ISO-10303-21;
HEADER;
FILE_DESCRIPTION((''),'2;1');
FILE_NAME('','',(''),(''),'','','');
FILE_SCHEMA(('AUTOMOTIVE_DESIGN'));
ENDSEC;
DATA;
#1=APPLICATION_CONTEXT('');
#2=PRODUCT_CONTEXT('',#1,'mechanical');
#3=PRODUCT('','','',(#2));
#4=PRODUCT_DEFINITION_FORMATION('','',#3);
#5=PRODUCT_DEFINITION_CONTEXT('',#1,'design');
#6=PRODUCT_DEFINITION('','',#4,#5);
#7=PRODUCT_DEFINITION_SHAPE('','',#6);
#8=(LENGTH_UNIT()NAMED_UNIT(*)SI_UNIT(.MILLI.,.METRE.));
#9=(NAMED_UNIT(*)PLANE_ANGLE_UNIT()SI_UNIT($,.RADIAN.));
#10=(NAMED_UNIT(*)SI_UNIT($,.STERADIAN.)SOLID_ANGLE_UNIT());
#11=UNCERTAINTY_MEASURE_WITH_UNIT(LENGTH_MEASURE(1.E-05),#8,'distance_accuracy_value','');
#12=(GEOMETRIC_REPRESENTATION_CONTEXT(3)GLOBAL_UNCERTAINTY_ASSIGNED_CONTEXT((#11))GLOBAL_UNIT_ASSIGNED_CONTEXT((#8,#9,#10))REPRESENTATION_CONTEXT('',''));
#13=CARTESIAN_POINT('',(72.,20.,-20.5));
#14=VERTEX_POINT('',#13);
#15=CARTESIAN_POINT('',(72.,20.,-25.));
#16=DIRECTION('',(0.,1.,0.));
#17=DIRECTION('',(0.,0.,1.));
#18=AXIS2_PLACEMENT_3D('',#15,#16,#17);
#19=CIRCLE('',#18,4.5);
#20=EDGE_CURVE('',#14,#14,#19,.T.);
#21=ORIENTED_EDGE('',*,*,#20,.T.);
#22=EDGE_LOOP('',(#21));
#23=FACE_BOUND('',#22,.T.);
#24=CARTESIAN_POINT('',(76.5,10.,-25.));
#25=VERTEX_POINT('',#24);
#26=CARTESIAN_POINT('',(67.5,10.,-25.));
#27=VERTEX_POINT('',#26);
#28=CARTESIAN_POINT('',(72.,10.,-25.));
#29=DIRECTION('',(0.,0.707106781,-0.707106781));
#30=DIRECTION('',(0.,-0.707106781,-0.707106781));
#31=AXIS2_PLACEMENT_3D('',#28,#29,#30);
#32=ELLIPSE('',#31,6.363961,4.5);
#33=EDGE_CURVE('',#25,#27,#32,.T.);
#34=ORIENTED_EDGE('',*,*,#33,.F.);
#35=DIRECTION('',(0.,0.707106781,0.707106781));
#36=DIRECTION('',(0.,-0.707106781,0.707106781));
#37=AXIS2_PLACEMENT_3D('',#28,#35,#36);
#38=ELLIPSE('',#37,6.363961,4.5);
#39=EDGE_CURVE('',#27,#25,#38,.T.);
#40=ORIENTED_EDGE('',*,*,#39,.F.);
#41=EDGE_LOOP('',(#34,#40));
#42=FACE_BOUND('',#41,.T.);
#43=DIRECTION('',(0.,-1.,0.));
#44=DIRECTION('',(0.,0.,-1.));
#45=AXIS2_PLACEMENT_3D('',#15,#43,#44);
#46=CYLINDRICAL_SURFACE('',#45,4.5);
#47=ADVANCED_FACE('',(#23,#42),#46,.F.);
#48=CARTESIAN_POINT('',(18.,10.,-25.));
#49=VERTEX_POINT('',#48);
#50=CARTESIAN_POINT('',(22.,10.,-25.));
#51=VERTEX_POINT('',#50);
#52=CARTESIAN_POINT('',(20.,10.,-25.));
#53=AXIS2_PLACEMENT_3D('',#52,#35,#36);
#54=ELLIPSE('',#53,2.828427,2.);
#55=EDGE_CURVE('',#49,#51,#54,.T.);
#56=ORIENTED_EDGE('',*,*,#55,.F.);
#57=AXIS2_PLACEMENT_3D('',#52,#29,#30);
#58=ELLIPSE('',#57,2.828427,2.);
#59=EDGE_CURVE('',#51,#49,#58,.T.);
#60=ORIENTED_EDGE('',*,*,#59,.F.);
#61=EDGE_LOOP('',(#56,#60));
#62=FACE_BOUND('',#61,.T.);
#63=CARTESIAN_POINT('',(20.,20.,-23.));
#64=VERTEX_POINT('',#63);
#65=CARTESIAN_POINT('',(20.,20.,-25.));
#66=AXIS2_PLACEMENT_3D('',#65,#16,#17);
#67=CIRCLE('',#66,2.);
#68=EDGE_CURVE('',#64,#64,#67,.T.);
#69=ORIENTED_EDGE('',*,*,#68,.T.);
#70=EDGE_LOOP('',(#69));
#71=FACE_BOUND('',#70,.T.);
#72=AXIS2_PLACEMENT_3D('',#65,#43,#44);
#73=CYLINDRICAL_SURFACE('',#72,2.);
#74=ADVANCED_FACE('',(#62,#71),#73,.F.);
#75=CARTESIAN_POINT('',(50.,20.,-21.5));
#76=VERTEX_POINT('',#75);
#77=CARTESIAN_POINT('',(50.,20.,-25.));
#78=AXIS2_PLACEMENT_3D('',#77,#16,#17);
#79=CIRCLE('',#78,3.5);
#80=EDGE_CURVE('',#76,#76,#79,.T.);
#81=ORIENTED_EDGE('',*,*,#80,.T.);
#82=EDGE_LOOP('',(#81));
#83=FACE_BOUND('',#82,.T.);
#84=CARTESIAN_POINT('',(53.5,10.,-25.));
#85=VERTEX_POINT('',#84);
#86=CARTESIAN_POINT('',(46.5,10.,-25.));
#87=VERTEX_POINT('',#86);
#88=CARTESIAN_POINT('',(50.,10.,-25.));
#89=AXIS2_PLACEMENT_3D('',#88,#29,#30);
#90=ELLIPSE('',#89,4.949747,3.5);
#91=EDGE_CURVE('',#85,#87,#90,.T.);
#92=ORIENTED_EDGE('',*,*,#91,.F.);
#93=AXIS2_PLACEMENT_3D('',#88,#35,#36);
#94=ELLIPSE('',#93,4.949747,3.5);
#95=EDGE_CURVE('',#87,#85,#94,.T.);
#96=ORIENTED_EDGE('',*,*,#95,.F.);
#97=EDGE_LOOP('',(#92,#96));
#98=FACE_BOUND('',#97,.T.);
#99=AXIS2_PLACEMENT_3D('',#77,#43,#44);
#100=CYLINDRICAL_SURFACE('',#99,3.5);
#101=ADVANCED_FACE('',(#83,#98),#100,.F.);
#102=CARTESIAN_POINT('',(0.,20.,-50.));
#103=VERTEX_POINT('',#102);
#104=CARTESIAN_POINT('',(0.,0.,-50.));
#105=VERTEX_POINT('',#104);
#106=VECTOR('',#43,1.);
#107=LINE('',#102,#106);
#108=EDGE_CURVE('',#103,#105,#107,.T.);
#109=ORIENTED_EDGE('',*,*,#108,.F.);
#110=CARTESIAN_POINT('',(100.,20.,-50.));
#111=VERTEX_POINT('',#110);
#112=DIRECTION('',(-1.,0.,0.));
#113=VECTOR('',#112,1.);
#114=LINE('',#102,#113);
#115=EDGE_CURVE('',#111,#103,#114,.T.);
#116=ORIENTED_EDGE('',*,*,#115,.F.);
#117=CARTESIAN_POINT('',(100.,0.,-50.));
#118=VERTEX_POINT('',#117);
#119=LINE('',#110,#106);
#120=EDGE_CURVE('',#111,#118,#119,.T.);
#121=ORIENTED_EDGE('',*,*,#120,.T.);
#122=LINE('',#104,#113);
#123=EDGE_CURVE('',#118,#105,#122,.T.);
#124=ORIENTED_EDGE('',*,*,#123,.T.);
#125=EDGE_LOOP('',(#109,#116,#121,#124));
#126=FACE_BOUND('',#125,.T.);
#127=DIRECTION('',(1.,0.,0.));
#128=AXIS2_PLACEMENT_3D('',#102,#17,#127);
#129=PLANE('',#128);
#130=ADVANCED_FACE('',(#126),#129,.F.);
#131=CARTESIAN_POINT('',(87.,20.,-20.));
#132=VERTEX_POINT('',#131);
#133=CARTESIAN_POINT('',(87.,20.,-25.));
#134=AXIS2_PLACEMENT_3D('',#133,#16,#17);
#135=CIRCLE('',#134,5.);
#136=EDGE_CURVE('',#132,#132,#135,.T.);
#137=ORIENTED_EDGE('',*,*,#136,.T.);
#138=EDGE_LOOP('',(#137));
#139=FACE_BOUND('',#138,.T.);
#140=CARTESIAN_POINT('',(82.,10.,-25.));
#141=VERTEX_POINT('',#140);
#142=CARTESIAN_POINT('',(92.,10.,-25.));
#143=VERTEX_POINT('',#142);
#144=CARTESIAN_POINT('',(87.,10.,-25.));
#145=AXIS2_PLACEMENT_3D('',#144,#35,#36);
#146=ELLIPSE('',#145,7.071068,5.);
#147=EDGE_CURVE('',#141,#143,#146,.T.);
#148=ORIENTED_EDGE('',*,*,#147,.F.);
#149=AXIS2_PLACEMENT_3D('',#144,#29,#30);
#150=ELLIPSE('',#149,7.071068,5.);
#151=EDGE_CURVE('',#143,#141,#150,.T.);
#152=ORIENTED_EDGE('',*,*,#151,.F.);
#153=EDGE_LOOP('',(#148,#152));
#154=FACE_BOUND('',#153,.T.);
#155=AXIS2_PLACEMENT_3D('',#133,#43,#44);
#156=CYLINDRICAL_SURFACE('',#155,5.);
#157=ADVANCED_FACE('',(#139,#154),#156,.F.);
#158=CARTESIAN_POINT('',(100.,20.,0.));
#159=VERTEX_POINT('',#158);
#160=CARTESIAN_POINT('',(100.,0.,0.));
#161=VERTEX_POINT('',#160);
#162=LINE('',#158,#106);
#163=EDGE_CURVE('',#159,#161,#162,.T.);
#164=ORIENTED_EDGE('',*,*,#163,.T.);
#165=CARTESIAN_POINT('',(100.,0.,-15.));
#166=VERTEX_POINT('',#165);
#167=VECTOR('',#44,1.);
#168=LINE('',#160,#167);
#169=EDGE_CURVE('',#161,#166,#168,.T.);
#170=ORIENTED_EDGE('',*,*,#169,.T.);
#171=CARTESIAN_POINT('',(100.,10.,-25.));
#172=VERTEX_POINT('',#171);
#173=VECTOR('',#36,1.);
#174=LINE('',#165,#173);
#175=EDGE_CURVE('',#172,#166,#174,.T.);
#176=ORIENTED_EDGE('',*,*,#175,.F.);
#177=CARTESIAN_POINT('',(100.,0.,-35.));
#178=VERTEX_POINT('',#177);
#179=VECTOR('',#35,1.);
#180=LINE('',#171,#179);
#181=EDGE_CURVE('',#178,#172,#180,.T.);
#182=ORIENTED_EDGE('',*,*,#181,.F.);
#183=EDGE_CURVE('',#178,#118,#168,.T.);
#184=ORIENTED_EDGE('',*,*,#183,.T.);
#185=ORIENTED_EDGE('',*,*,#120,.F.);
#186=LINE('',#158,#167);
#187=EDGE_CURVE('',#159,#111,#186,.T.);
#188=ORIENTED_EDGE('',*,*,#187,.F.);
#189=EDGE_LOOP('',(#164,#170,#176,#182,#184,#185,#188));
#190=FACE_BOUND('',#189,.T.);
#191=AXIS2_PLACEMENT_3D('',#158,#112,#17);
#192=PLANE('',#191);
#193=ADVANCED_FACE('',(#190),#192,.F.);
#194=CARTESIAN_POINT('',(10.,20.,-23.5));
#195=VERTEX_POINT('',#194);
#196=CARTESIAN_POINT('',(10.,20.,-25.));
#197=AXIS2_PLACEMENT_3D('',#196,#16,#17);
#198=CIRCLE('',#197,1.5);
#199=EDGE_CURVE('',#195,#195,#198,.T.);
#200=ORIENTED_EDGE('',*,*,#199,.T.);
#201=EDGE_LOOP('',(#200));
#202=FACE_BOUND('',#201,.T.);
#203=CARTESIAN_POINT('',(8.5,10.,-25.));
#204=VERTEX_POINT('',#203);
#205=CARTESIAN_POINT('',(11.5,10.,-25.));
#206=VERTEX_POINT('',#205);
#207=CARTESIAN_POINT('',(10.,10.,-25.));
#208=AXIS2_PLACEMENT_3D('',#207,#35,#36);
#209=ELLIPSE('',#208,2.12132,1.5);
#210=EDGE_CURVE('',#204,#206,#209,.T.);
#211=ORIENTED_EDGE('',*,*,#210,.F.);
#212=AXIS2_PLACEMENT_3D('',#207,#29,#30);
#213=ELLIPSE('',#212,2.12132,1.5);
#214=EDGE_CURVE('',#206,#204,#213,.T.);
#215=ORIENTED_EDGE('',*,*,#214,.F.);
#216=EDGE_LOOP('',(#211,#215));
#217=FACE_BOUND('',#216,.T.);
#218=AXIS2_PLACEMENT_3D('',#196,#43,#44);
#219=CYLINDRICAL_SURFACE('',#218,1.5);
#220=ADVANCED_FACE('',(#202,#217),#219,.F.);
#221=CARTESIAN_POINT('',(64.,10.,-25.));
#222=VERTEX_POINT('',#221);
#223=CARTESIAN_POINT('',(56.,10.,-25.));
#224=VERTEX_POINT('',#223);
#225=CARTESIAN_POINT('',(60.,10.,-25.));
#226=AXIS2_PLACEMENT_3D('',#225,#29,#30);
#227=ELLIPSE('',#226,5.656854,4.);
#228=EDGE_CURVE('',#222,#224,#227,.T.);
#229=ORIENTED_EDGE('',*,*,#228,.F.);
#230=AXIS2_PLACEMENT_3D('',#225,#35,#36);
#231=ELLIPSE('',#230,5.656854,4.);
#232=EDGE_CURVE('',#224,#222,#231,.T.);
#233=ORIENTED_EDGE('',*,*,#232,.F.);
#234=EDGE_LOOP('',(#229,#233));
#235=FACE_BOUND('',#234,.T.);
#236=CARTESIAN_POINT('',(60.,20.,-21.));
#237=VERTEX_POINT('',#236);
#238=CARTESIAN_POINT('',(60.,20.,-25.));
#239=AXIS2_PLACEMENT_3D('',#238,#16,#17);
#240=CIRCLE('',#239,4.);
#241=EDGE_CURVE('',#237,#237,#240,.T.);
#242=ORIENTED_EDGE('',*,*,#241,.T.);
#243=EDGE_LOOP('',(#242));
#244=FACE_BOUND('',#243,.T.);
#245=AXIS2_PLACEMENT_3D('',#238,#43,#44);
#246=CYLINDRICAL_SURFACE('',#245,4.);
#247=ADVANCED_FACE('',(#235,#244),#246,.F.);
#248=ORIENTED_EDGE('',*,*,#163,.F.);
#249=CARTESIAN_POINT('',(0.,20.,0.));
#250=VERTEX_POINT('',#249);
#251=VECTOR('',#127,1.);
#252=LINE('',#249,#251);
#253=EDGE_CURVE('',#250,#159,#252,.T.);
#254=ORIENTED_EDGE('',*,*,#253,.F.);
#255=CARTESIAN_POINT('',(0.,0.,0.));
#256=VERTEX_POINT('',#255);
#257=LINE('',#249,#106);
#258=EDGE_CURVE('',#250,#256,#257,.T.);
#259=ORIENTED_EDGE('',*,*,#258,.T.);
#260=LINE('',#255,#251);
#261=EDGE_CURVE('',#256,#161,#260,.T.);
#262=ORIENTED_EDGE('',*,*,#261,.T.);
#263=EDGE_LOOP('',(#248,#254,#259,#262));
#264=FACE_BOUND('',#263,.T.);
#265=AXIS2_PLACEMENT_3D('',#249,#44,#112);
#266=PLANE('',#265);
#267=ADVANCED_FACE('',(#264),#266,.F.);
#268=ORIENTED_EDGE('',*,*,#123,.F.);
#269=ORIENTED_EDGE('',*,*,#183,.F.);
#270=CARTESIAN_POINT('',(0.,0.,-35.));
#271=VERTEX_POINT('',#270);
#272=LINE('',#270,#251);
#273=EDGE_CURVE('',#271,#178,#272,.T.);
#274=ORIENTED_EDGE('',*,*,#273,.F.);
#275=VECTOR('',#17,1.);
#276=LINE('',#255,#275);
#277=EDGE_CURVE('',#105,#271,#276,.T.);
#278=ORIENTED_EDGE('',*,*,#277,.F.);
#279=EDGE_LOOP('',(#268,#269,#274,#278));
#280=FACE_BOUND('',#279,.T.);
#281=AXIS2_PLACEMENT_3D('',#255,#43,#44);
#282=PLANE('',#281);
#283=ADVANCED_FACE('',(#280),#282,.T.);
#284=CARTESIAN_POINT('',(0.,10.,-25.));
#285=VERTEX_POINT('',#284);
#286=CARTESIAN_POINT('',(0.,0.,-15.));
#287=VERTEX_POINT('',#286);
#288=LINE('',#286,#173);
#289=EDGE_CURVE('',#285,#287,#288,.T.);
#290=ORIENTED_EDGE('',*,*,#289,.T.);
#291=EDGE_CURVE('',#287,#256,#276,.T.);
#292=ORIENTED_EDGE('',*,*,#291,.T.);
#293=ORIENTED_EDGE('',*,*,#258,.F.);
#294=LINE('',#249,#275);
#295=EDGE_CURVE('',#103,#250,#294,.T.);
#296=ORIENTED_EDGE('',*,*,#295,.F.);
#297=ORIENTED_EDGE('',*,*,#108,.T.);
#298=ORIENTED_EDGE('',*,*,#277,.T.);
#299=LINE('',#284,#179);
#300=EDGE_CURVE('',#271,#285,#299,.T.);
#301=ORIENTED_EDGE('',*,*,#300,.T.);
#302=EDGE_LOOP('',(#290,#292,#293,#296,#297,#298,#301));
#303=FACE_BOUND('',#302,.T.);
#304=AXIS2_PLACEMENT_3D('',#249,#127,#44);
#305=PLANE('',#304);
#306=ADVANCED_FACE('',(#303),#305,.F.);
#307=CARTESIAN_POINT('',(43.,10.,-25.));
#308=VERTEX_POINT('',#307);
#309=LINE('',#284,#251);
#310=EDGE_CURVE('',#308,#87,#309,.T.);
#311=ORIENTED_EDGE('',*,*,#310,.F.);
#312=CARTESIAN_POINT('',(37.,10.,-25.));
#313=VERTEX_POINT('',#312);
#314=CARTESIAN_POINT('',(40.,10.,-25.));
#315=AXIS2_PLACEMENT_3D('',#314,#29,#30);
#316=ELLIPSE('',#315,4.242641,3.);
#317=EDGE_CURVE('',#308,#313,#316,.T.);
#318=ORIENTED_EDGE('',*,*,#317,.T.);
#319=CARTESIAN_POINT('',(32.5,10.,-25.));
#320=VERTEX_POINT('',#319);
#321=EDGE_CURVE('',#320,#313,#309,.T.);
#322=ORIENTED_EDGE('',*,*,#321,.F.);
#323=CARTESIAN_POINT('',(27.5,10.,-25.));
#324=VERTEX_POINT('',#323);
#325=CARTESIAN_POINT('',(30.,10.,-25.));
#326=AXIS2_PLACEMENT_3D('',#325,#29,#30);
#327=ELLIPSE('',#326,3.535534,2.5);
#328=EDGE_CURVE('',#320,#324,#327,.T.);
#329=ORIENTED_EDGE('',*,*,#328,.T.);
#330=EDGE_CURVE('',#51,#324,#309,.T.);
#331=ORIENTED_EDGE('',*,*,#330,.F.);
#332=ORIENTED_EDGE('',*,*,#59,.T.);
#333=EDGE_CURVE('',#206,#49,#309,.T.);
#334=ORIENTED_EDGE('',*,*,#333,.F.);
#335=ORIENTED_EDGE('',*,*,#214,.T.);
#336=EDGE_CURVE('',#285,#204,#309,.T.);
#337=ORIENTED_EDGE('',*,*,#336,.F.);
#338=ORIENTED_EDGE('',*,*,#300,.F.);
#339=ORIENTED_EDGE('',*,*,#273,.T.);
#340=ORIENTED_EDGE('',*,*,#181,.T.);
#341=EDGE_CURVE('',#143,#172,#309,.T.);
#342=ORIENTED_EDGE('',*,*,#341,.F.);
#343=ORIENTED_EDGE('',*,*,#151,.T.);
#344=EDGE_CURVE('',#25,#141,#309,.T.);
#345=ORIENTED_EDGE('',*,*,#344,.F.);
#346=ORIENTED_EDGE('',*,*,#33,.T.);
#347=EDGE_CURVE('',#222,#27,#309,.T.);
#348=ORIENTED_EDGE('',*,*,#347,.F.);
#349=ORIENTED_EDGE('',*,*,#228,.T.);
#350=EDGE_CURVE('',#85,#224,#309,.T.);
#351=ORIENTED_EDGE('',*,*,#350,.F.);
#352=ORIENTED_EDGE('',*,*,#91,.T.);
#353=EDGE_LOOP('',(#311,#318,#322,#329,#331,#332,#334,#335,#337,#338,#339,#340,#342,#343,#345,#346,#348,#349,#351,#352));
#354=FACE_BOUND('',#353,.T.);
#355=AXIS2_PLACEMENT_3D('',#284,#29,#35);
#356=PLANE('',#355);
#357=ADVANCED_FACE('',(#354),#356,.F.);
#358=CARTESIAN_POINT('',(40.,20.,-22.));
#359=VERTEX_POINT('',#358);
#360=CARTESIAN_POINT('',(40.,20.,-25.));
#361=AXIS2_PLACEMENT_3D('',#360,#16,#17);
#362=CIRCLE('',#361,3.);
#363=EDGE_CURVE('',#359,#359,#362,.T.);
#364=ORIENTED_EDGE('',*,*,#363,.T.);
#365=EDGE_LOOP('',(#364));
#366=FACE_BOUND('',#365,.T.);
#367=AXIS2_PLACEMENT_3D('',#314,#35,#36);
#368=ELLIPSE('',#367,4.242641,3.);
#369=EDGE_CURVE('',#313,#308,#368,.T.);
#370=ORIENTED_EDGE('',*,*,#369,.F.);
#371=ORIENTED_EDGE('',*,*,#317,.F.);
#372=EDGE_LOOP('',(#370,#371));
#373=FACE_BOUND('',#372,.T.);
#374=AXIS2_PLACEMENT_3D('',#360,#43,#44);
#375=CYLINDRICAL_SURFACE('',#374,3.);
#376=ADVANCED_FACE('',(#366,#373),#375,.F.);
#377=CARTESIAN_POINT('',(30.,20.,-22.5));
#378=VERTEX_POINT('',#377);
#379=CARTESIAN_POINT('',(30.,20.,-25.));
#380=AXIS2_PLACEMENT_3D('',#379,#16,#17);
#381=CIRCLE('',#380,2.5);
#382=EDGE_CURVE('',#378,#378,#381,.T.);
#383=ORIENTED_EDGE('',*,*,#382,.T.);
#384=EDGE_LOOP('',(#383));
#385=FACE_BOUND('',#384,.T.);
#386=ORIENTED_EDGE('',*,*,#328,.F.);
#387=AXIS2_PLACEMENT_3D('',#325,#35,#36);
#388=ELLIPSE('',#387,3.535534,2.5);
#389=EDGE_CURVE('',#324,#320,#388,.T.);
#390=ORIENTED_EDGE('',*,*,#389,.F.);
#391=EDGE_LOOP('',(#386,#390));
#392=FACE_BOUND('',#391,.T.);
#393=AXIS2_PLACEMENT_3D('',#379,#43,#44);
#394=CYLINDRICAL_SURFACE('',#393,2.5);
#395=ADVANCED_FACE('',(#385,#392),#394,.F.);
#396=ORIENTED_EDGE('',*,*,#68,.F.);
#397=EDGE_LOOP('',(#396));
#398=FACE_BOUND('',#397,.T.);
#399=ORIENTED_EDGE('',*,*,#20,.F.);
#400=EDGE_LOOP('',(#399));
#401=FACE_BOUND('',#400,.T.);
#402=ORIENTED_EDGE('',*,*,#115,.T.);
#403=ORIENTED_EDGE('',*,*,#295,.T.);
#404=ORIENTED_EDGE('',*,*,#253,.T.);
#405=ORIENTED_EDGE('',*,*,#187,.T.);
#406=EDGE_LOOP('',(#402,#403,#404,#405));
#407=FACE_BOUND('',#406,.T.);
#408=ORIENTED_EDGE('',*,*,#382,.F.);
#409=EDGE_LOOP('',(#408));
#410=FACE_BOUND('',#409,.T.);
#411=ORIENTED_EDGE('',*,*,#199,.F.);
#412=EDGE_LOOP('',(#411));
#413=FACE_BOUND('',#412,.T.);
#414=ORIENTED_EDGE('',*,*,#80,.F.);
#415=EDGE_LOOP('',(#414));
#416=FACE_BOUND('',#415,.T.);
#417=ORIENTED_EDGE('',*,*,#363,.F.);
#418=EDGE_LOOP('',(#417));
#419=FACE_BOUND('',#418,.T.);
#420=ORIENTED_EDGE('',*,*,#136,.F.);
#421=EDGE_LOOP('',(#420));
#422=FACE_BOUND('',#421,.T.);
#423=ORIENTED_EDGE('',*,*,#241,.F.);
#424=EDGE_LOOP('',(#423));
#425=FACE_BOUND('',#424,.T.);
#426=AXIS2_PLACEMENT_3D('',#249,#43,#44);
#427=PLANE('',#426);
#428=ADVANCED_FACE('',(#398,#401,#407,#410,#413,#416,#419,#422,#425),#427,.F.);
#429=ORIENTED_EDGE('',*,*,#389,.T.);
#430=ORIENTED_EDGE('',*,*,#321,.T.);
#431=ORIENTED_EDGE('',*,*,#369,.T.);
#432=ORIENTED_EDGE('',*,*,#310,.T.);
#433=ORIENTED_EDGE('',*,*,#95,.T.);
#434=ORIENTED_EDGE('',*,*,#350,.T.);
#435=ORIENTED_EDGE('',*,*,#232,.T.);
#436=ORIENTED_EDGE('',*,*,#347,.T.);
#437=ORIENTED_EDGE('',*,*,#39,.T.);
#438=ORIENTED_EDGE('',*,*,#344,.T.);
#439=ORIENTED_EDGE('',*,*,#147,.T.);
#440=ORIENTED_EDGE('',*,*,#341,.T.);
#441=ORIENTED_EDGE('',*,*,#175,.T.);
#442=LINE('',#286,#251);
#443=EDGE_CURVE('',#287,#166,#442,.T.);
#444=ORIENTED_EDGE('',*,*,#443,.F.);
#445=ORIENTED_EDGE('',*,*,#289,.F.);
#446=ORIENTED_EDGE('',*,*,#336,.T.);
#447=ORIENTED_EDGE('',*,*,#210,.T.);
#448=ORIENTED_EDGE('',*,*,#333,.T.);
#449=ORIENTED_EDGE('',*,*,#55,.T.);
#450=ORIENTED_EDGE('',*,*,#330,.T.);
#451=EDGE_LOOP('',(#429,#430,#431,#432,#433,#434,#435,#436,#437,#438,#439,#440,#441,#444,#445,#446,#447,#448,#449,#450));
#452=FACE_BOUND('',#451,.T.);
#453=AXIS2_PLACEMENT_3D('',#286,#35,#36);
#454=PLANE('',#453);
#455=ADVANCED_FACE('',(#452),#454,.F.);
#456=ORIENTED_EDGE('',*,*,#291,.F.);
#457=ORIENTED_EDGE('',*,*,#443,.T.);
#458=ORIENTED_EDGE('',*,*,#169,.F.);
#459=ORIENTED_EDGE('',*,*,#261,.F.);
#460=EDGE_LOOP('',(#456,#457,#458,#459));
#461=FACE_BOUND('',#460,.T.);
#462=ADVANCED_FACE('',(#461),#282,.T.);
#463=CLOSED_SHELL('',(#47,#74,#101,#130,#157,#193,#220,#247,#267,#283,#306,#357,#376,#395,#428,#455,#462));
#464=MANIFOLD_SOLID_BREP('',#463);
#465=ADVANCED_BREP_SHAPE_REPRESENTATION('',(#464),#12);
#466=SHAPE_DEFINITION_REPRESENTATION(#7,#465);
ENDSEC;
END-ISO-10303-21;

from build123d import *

# Parameters (mm, degrees)
SKETCH1_W           = 100
SKETCH1_H           = 50
SKETCH1_R           = 1.5
SKETCH1_R_2         = 2
SKETCH1_R_3         = 2.5
SKETCH1_R_4         = 3
SKETCH1_R_5         = 3.5
SKETCH1_R_6         = 4
SKETCH1_R_7         = 4.5
SKETCH1_R_8         = 5
BOSS_EXTRUDE1_DEPTH = 20
CUT_EXTRUDE2_DEPTH  = 114.578166916


with BuildPart() as part:
    # Sketch1 → Boss-Extrude1 (new body)
    with BuildSketch(Plane(origin=(0, 0, 0), x_dir=(1, 0, 0), z_dir=(0, 1, 0))):
        with Locations((50, 25)):
            Rectangle(SKETCH1_W, SKETCH1_H)
        with Locations(Location((10, 25, 0), (0, 0, 270))):
            Circle(SKETCH1_R, mode=Mode.SUBTRACT)
        with Locations(Location((20, 25, 0), (0, 0, 270))):
            Circle(SKETCH1_R_2, mode=Mode.SUBTRACT)
        with Locations(Location((30, 25, 0), (0, 0, 270))):
            Circle(SKETCH1_R_3, mode=Mode.SUBTRACT)
        with Locations(Location((40, 25, 0), (0, 0, 270))):
            Circle(SKETCH1_R_4, mode=Mode.SUBTRACT)
        with Locations(Location((50, 25, 0), (0, 0, 270))):
            Circle(SKETCH1_R_5, mode=Mode.SUBTRACT)
        with Locations(Location((60, 25, 0), (0, 0, 270))):
            Circle(SKETCH1_R_6, mode=Mode.SUBTRACT)
        with Locations(Location((72, 25, 0), (0, 0, 270))):
            Circle(SKETCH1_R_7, mode=Mode.SUBTRACT)
        with Locations(Location((87, 25, 0), (0, 0, 270))):
            Circle(SKETCH1_R_8, mode=Mode.SUBTRACT)
    extrude(amount=BOSS_EXTRUDE1_DEPTH)

    # Sketch2 → Cut-Extrude2 (cut, through all)
    with BuildSketch(Plane(origin=(100, 0, 0), x_dir=(0, 0, -1), z_dir=(1, 0, 0))):
        Polygon((15, 0), (25, 10), (35, 0), align=None)
    extrude(amount=-CUT_EXTRUDE2_DEPTH, mode=Mode.SUBTRACT)


solid = part.part
